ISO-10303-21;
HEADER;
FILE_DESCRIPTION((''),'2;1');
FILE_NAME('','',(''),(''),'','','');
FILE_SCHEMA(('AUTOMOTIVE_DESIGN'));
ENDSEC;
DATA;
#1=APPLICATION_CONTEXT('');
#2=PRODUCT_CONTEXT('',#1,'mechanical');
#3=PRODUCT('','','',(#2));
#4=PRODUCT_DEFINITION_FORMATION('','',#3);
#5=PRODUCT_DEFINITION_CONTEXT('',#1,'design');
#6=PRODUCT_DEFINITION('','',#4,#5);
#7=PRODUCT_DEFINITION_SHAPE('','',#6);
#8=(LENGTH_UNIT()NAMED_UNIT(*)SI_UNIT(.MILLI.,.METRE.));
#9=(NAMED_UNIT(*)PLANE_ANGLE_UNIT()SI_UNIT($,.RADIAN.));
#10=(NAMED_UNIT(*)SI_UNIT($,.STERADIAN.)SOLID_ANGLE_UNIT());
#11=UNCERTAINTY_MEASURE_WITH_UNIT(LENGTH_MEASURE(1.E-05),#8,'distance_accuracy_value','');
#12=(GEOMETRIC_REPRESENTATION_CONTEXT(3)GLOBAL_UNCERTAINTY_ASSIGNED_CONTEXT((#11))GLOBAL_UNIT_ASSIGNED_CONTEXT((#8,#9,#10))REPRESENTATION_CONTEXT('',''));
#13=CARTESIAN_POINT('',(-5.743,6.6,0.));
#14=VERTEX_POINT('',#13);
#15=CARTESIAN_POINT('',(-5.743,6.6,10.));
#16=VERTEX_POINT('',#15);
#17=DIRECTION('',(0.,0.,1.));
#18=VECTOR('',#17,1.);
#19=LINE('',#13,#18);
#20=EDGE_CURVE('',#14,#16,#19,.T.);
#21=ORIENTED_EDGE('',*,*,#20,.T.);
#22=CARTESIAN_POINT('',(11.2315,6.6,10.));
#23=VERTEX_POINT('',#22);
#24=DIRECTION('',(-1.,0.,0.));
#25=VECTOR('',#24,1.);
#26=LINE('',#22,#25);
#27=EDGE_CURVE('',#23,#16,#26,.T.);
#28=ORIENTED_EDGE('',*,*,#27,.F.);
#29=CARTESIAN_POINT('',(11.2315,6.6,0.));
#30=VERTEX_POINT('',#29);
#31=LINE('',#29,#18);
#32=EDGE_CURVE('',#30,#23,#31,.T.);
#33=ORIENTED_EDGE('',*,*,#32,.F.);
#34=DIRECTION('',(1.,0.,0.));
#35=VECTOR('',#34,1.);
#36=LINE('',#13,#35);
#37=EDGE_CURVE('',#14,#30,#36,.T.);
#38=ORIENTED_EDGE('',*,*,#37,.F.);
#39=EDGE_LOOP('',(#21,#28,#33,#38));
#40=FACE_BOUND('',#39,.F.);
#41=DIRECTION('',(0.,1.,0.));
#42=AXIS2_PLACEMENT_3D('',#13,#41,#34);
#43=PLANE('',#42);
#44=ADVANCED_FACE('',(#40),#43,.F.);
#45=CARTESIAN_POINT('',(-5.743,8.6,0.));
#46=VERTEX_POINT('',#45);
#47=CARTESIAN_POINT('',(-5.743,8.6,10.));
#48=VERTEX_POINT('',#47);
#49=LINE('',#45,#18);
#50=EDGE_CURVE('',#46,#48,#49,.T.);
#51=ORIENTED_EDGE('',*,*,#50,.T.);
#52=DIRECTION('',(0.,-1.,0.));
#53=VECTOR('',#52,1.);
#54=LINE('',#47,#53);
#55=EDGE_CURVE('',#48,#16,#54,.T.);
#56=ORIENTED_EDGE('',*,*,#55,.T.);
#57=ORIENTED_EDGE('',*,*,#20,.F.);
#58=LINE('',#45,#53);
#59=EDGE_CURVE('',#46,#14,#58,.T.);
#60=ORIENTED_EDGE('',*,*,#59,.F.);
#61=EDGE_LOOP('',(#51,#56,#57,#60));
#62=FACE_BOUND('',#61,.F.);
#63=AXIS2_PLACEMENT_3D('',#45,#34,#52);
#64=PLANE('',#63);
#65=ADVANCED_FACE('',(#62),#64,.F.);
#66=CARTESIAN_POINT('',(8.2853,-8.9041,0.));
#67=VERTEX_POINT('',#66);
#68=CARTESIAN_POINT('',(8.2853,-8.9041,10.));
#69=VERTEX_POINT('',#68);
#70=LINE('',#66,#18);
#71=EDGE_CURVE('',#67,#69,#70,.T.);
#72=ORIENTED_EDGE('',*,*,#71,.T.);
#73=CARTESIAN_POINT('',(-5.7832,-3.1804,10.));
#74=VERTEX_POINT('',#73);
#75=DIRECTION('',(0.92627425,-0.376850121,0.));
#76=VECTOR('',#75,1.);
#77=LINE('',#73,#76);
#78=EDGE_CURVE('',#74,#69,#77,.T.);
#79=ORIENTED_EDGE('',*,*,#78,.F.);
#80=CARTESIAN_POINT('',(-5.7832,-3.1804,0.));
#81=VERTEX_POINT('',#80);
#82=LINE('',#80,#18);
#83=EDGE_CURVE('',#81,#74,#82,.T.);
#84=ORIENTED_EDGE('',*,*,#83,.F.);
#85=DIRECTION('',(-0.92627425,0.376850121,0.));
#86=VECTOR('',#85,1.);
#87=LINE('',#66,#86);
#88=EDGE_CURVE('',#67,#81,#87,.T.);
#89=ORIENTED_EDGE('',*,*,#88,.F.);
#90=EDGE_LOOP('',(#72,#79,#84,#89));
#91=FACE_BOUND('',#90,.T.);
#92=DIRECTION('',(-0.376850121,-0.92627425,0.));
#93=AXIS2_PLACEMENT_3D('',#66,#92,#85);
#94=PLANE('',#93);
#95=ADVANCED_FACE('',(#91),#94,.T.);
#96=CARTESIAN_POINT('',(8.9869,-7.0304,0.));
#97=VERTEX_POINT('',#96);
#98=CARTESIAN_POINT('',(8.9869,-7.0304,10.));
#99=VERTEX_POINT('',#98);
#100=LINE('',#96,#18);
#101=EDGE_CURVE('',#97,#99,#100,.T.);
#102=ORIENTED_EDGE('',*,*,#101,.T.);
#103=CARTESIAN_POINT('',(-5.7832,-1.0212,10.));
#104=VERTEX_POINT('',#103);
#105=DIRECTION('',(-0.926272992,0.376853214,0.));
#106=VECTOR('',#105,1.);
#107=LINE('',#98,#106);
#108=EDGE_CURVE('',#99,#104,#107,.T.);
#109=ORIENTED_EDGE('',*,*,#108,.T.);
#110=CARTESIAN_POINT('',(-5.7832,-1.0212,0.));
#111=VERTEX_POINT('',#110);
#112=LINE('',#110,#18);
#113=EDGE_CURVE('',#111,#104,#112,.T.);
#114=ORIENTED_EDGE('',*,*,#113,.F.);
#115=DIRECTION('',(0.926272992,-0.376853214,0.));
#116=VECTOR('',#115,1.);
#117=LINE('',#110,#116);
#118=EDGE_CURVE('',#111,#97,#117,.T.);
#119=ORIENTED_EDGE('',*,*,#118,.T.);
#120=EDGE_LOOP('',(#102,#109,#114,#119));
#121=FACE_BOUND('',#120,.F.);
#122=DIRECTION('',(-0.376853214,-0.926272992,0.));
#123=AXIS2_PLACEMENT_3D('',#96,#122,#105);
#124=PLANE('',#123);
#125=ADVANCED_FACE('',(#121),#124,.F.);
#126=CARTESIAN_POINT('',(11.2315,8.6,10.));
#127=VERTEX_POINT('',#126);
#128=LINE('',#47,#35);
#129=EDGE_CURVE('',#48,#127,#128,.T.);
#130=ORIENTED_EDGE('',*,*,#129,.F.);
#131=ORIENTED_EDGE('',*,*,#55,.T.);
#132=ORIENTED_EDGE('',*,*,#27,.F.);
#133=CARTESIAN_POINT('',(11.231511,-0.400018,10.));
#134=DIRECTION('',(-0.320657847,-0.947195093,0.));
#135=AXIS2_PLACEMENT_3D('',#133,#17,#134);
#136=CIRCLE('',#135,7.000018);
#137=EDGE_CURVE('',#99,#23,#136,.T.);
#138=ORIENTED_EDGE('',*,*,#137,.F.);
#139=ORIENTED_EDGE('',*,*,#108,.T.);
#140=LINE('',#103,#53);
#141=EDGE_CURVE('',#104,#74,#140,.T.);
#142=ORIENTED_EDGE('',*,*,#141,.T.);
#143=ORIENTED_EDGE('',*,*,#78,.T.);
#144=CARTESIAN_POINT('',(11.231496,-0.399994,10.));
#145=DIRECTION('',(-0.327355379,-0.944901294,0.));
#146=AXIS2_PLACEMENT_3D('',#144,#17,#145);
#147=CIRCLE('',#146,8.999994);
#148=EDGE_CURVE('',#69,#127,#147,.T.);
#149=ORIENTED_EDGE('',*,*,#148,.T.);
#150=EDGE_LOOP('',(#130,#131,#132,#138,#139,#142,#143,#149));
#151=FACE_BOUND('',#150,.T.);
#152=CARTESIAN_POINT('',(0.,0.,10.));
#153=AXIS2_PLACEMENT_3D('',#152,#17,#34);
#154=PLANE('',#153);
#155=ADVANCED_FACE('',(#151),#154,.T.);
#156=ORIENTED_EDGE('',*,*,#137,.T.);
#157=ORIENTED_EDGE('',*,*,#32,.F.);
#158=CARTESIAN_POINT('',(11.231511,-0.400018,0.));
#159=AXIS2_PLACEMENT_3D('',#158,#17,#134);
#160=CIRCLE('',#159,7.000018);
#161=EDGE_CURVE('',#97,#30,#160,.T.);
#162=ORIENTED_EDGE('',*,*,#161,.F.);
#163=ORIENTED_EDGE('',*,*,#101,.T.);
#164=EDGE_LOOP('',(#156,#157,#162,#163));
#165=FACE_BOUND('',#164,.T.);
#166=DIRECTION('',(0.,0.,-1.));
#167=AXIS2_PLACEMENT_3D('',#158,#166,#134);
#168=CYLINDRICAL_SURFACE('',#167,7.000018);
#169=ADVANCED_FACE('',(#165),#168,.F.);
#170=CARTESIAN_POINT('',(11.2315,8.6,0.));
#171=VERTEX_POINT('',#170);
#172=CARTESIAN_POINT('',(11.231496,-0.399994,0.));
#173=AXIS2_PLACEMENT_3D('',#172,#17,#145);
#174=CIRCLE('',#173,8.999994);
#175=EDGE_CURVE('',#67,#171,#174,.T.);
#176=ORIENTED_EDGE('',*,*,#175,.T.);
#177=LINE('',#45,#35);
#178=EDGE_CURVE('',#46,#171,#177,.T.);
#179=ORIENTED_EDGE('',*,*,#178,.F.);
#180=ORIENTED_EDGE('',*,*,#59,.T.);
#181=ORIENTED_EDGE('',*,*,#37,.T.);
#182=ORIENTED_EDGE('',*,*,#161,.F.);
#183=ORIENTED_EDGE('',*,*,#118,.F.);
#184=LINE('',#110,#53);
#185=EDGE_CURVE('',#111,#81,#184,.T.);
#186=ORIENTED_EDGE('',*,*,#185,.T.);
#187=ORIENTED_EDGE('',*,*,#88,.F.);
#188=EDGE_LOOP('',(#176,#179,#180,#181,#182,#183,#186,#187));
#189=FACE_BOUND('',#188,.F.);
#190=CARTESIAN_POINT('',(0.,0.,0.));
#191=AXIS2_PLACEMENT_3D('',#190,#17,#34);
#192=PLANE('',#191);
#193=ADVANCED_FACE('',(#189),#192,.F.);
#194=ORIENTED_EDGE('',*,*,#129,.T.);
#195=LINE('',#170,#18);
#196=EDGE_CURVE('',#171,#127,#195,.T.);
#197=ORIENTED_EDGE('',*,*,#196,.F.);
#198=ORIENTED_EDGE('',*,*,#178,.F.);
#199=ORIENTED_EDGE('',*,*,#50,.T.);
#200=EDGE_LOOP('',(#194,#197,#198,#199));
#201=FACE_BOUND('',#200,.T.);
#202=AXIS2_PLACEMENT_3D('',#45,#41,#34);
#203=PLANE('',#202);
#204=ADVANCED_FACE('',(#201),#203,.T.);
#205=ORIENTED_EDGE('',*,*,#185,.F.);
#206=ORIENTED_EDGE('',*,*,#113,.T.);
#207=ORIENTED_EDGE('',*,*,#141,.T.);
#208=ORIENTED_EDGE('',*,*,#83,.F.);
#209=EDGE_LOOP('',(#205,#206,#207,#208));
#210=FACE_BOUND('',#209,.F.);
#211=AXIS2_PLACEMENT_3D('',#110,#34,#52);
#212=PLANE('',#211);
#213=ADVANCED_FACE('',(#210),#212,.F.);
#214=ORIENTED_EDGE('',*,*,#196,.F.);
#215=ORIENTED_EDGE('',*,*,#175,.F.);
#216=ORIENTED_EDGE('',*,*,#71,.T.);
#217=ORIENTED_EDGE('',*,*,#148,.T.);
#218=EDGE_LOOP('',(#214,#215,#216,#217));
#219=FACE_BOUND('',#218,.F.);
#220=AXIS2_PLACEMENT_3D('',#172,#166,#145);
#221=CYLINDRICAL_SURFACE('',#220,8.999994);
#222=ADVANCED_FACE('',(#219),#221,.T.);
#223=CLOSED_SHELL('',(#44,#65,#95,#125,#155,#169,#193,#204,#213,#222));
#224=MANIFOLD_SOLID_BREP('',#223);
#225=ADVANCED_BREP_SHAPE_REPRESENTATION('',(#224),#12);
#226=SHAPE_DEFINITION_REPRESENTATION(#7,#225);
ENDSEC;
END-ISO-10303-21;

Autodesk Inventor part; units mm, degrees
ref_plane "YZ Plane" through (0, 0, 0) normal (1, 0, 0) x (0, 1, 0)
ref_plane "XZ Plane" through (0, 0, 0) normal (0, 1, 0) x (-1, 0, 0)
ref_plane "XY Plane" through (0, 0, 0) normal (0, 0, 1) x (1, 0, 0)
sketch "Sketch1" plane through (0, 0, 0) normal (0, 0, 1) x (1, 0, 0)
  circle A0 centre (0, 0) radius 6.6 projected
  line L0 (-5.743, 8.6) -> (11.2315, 8.6)
  arc A1 (8.2853, -8.9041) -> (11.2315, 8.6) centre (11.2315, -0.4) ccw
  line L1 (8.2853, -8.9041) -> (-5.7832, -3.1804)
  line L2 (-5.743, 6.6) -> (11.2315, 6.6)
  arc A2 (8.9869, -7.0304) -> (11.2315, 6.6) centre (11.2315, -0.4) ccw
  line L3 (8.9869, -7.0304) -> (-5.7832, -1.0212)
  line L4 (-5.743, 8.6) -> (-5.743, 6.6)
  line L5 (-5.7832, -1.0212) -> (-5.7832, -3.1804)
  point P0 (0, 0)
  dimension "d1" = 13.2
  dimension "d0" = 7
  dimension "d2" = 2
  dimension "d3" = 90
extrude "Extrusion1" add sketch "Sketch1" along normal blind 10 contours L2 L4 L0 A1 L1 A0 L3 A2 | A0 L1 L5 L3
properties part number "00_Laser_Clamp_OnOffSwitch"
